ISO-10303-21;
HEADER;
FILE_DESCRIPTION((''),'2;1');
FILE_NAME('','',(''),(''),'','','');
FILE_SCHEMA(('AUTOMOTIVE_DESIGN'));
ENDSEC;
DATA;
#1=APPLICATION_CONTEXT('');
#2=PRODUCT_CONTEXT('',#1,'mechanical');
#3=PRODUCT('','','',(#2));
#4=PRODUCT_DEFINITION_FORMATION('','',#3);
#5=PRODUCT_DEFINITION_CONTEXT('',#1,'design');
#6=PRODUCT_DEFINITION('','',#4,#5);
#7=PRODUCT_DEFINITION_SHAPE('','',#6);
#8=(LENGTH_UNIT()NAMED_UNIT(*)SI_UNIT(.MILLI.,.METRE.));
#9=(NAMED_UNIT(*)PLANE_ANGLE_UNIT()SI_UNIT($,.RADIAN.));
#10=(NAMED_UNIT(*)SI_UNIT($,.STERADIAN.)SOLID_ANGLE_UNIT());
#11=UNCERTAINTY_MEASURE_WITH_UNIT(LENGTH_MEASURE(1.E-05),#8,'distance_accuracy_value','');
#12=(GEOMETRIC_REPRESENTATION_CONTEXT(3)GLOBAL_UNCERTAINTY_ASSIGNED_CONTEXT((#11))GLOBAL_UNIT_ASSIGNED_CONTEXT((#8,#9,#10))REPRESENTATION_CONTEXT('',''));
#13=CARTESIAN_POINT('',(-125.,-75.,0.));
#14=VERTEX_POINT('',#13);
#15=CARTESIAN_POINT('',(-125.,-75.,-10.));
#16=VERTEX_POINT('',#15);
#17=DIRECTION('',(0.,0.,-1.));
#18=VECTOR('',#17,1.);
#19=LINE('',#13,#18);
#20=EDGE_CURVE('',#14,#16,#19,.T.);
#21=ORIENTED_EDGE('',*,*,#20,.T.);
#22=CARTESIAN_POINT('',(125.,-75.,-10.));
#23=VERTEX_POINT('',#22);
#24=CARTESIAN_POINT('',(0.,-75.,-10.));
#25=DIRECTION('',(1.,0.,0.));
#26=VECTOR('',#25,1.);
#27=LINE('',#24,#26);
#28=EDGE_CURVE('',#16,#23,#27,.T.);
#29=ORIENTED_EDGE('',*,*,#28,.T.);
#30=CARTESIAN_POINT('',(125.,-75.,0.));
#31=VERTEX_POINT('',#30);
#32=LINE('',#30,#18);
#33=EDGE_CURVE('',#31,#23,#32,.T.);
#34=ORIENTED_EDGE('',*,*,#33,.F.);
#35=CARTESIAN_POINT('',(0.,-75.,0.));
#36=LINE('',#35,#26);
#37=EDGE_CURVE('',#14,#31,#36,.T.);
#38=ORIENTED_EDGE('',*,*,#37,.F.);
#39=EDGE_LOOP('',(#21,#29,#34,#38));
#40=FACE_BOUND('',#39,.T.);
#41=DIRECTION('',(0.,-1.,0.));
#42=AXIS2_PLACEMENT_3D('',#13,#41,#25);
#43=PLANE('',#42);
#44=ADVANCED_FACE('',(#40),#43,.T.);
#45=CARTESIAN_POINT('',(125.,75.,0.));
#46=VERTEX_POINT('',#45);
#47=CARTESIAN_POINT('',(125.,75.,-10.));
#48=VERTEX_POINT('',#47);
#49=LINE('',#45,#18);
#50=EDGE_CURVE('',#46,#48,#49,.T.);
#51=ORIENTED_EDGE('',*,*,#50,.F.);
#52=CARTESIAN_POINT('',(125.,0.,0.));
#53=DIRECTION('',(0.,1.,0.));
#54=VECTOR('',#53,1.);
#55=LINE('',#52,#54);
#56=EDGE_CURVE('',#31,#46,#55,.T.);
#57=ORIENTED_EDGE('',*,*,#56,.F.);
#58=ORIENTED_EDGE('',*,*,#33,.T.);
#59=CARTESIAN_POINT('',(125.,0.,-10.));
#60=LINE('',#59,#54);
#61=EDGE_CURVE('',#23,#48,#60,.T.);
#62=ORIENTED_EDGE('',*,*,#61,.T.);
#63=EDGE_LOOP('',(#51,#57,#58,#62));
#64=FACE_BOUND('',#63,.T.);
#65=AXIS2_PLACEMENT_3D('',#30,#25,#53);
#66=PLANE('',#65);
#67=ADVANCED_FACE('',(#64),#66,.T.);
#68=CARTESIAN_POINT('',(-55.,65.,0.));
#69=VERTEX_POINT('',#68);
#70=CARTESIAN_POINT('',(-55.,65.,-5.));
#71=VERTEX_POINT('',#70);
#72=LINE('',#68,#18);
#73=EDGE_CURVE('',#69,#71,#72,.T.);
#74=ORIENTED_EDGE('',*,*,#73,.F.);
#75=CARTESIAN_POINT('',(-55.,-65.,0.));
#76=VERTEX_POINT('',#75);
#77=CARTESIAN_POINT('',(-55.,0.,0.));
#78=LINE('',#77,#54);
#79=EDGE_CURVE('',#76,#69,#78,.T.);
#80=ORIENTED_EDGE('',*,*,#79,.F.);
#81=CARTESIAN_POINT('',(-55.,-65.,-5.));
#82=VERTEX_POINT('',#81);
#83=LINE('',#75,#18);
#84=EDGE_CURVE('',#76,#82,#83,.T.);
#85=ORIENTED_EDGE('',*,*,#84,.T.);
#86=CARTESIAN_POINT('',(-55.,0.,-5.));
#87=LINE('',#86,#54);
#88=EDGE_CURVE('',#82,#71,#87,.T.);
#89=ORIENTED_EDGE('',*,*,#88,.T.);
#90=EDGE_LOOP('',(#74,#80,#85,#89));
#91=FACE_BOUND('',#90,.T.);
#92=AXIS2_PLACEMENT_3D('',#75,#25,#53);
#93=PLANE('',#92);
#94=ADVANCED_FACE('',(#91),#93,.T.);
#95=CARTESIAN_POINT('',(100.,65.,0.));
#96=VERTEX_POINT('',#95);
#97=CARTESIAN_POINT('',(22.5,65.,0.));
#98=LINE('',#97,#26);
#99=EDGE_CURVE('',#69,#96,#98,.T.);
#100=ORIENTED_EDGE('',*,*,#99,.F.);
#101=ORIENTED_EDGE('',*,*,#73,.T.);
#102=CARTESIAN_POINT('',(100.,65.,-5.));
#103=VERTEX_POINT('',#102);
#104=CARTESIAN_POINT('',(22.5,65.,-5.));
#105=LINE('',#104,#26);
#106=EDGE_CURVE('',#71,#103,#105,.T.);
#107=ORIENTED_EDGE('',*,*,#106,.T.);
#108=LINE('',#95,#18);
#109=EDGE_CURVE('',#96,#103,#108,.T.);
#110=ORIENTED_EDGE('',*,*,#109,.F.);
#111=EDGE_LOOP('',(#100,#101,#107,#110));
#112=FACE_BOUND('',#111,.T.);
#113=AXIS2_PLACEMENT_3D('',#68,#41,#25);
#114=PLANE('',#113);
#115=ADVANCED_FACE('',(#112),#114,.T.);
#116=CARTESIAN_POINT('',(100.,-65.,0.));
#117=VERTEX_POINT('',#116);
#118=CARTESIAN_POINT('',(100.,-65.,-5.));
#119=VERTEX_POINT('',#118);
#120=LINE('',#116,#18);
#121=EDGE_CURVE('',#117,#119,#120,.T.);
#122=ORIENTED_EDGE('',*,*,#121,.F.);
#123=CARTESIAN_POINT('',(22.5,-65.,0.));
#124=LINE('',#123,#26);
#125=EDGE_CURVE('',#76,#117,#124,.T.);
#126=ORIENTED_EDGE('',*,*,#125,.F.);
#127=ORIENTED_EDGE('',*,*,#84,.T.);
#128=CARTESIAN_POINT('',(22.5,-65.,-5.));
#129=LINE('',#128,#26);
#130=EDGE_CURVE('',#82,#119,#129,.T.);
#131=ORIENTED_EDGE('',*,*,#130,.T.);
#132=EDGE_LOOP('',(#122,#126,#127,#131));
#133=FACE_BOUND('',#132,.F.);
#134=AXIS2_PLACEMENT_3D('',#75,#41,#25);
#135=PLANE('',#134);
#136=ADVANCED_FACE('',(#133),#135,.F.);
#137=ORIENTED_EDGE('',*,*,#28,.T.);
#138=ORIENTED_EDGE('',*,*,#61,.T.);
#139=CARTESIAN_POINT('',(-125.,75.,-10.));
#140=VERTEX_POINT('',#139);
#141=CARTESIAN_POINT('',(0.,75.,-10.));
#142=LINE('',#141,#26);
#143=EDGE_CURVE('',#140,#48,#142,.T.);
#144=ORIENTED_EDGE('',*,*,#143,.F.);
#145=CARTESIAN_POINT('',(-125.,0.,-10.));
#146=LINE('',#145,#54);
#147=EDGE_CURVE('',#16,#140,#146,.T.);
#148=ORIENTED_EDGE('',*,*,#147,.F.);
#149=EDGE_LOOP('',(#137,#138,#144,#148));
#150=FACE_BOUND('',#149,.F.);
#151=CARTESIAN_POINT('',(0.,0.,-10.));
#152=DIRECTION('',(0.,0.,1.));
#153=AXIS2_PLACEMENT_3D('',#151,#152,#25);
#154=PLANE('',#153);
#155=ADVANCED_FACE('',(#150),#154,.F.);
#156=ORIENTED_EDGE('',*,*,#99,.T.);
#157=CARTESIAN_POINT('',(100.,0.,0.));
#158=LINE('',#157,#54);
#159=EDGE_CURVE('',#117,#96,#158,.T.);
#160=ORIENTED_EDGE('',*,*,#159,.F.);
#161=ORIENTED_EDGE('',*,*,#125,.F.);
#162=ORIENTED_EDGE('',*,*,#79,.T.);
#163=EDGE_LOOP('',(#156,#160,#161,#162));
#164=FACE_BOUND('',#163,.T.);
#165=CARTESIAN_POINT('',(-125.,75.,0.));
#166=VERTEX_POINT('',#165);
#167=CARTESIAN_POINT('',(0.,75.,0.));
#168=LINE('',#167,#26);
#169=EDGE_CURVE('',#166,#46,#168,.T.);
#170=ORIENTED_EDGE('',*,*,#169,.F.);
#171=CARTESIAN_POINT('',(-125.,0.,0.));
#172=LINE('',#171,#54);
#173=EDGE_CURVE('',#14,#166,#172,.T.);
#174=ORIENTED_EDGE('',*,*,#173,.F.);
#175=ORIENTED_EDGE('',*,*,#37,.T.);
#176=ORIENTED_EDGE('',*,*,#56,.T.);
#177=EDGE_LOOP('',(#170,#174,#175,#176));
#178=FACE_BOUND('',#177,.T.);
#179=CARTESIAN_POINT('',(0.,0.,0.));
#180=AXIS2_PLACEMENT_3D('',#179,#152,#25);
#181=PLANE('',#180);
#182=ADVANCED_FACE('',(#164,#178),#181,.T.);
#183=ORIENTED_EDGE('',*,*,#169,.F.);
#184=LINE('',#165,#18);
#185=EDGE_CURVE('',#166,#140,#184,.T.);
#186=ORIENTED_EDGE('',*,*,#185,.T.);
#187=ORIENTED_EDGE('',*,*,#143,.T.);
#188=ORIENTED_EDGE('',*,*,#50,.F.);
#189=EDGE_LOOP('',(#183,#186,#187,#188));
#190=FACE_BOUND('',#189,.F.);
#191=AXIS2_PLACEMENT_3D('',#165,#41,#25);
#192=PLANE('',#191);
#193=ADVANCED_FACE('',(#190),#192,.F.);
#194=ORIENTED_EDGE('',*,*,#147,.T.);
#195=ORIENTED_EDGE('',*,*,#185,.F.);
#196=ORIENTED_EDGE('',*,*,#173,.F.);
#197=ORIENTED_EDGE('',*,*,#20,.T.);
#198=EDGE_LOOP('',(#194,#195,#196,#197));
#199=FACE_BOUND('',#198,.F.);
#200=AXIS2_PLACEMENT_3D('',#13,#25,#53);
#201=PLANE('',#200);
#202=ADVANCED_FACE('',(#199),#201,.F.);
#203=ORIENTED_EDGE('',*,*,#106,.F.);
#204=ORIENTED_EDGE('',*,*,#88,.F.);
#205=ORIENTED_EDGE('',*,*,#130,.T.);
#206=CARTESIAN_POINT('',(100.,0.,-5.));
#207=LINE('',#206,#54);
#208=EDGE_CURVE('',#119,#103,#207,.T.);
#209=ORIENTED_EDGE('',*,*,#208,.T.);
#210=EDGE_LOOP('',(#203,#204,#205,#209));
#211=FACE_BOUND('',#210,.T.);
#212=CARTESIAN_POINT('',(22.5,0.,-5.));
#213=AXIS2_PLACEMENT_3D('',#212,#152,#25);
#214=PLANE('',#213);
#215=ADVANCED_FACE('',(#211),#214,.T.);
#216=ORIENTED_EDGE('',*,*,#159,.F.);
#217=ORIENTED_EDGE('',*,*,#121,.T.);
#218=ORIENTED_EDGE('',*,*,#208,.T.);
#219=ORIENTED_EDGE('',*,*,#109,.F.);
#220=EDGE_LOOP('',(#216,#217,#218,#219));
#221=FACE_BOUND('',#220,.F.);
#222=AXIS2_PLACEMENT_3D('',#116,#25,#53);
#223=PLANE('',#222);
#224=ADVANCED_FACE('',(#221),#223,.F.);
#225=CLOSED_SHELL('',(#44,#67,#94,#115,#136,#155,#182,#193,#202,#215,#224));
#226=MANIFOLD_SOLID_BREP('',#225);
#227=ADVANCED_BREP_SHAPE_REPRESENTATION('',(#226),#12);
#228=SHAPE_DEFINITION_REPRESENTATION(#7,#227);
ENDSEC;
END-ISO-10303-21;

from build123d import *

# Parameters (mm, degrees)
F0_W     = 250
F0_H     = 150
F0_W_2   = 155
F0_H_2   = 130
F1_DEPTH = 10
F2_DEPTH = 5


with BuildPart() as f1:
    # F0 (on Top) → F1 (new body)
    with BuildSketch(Plane.XY):
        Rectangle(F0_W, F0_H)
        with Locations((22.5, 0)):
            Rectangle(F0_W_2, F0_H_2, mode=Mode.SUBTRACT)
        with Locations((22.5, 0)):
            Rectangle(F0_W_2, F0_H_2)
    extrude(amount=-F1_DEPTH)

    # F0 (on Top) → F2 (cut)
    with BuildSketch(Plane.XY):
        with Locations((22.5, 0)):
            Rectangle(F0_W_2, F0_H_2)
    extrude(amount=-F2_DEPTH, mode=Mode.SUBTRACT)


solid = f1.part
